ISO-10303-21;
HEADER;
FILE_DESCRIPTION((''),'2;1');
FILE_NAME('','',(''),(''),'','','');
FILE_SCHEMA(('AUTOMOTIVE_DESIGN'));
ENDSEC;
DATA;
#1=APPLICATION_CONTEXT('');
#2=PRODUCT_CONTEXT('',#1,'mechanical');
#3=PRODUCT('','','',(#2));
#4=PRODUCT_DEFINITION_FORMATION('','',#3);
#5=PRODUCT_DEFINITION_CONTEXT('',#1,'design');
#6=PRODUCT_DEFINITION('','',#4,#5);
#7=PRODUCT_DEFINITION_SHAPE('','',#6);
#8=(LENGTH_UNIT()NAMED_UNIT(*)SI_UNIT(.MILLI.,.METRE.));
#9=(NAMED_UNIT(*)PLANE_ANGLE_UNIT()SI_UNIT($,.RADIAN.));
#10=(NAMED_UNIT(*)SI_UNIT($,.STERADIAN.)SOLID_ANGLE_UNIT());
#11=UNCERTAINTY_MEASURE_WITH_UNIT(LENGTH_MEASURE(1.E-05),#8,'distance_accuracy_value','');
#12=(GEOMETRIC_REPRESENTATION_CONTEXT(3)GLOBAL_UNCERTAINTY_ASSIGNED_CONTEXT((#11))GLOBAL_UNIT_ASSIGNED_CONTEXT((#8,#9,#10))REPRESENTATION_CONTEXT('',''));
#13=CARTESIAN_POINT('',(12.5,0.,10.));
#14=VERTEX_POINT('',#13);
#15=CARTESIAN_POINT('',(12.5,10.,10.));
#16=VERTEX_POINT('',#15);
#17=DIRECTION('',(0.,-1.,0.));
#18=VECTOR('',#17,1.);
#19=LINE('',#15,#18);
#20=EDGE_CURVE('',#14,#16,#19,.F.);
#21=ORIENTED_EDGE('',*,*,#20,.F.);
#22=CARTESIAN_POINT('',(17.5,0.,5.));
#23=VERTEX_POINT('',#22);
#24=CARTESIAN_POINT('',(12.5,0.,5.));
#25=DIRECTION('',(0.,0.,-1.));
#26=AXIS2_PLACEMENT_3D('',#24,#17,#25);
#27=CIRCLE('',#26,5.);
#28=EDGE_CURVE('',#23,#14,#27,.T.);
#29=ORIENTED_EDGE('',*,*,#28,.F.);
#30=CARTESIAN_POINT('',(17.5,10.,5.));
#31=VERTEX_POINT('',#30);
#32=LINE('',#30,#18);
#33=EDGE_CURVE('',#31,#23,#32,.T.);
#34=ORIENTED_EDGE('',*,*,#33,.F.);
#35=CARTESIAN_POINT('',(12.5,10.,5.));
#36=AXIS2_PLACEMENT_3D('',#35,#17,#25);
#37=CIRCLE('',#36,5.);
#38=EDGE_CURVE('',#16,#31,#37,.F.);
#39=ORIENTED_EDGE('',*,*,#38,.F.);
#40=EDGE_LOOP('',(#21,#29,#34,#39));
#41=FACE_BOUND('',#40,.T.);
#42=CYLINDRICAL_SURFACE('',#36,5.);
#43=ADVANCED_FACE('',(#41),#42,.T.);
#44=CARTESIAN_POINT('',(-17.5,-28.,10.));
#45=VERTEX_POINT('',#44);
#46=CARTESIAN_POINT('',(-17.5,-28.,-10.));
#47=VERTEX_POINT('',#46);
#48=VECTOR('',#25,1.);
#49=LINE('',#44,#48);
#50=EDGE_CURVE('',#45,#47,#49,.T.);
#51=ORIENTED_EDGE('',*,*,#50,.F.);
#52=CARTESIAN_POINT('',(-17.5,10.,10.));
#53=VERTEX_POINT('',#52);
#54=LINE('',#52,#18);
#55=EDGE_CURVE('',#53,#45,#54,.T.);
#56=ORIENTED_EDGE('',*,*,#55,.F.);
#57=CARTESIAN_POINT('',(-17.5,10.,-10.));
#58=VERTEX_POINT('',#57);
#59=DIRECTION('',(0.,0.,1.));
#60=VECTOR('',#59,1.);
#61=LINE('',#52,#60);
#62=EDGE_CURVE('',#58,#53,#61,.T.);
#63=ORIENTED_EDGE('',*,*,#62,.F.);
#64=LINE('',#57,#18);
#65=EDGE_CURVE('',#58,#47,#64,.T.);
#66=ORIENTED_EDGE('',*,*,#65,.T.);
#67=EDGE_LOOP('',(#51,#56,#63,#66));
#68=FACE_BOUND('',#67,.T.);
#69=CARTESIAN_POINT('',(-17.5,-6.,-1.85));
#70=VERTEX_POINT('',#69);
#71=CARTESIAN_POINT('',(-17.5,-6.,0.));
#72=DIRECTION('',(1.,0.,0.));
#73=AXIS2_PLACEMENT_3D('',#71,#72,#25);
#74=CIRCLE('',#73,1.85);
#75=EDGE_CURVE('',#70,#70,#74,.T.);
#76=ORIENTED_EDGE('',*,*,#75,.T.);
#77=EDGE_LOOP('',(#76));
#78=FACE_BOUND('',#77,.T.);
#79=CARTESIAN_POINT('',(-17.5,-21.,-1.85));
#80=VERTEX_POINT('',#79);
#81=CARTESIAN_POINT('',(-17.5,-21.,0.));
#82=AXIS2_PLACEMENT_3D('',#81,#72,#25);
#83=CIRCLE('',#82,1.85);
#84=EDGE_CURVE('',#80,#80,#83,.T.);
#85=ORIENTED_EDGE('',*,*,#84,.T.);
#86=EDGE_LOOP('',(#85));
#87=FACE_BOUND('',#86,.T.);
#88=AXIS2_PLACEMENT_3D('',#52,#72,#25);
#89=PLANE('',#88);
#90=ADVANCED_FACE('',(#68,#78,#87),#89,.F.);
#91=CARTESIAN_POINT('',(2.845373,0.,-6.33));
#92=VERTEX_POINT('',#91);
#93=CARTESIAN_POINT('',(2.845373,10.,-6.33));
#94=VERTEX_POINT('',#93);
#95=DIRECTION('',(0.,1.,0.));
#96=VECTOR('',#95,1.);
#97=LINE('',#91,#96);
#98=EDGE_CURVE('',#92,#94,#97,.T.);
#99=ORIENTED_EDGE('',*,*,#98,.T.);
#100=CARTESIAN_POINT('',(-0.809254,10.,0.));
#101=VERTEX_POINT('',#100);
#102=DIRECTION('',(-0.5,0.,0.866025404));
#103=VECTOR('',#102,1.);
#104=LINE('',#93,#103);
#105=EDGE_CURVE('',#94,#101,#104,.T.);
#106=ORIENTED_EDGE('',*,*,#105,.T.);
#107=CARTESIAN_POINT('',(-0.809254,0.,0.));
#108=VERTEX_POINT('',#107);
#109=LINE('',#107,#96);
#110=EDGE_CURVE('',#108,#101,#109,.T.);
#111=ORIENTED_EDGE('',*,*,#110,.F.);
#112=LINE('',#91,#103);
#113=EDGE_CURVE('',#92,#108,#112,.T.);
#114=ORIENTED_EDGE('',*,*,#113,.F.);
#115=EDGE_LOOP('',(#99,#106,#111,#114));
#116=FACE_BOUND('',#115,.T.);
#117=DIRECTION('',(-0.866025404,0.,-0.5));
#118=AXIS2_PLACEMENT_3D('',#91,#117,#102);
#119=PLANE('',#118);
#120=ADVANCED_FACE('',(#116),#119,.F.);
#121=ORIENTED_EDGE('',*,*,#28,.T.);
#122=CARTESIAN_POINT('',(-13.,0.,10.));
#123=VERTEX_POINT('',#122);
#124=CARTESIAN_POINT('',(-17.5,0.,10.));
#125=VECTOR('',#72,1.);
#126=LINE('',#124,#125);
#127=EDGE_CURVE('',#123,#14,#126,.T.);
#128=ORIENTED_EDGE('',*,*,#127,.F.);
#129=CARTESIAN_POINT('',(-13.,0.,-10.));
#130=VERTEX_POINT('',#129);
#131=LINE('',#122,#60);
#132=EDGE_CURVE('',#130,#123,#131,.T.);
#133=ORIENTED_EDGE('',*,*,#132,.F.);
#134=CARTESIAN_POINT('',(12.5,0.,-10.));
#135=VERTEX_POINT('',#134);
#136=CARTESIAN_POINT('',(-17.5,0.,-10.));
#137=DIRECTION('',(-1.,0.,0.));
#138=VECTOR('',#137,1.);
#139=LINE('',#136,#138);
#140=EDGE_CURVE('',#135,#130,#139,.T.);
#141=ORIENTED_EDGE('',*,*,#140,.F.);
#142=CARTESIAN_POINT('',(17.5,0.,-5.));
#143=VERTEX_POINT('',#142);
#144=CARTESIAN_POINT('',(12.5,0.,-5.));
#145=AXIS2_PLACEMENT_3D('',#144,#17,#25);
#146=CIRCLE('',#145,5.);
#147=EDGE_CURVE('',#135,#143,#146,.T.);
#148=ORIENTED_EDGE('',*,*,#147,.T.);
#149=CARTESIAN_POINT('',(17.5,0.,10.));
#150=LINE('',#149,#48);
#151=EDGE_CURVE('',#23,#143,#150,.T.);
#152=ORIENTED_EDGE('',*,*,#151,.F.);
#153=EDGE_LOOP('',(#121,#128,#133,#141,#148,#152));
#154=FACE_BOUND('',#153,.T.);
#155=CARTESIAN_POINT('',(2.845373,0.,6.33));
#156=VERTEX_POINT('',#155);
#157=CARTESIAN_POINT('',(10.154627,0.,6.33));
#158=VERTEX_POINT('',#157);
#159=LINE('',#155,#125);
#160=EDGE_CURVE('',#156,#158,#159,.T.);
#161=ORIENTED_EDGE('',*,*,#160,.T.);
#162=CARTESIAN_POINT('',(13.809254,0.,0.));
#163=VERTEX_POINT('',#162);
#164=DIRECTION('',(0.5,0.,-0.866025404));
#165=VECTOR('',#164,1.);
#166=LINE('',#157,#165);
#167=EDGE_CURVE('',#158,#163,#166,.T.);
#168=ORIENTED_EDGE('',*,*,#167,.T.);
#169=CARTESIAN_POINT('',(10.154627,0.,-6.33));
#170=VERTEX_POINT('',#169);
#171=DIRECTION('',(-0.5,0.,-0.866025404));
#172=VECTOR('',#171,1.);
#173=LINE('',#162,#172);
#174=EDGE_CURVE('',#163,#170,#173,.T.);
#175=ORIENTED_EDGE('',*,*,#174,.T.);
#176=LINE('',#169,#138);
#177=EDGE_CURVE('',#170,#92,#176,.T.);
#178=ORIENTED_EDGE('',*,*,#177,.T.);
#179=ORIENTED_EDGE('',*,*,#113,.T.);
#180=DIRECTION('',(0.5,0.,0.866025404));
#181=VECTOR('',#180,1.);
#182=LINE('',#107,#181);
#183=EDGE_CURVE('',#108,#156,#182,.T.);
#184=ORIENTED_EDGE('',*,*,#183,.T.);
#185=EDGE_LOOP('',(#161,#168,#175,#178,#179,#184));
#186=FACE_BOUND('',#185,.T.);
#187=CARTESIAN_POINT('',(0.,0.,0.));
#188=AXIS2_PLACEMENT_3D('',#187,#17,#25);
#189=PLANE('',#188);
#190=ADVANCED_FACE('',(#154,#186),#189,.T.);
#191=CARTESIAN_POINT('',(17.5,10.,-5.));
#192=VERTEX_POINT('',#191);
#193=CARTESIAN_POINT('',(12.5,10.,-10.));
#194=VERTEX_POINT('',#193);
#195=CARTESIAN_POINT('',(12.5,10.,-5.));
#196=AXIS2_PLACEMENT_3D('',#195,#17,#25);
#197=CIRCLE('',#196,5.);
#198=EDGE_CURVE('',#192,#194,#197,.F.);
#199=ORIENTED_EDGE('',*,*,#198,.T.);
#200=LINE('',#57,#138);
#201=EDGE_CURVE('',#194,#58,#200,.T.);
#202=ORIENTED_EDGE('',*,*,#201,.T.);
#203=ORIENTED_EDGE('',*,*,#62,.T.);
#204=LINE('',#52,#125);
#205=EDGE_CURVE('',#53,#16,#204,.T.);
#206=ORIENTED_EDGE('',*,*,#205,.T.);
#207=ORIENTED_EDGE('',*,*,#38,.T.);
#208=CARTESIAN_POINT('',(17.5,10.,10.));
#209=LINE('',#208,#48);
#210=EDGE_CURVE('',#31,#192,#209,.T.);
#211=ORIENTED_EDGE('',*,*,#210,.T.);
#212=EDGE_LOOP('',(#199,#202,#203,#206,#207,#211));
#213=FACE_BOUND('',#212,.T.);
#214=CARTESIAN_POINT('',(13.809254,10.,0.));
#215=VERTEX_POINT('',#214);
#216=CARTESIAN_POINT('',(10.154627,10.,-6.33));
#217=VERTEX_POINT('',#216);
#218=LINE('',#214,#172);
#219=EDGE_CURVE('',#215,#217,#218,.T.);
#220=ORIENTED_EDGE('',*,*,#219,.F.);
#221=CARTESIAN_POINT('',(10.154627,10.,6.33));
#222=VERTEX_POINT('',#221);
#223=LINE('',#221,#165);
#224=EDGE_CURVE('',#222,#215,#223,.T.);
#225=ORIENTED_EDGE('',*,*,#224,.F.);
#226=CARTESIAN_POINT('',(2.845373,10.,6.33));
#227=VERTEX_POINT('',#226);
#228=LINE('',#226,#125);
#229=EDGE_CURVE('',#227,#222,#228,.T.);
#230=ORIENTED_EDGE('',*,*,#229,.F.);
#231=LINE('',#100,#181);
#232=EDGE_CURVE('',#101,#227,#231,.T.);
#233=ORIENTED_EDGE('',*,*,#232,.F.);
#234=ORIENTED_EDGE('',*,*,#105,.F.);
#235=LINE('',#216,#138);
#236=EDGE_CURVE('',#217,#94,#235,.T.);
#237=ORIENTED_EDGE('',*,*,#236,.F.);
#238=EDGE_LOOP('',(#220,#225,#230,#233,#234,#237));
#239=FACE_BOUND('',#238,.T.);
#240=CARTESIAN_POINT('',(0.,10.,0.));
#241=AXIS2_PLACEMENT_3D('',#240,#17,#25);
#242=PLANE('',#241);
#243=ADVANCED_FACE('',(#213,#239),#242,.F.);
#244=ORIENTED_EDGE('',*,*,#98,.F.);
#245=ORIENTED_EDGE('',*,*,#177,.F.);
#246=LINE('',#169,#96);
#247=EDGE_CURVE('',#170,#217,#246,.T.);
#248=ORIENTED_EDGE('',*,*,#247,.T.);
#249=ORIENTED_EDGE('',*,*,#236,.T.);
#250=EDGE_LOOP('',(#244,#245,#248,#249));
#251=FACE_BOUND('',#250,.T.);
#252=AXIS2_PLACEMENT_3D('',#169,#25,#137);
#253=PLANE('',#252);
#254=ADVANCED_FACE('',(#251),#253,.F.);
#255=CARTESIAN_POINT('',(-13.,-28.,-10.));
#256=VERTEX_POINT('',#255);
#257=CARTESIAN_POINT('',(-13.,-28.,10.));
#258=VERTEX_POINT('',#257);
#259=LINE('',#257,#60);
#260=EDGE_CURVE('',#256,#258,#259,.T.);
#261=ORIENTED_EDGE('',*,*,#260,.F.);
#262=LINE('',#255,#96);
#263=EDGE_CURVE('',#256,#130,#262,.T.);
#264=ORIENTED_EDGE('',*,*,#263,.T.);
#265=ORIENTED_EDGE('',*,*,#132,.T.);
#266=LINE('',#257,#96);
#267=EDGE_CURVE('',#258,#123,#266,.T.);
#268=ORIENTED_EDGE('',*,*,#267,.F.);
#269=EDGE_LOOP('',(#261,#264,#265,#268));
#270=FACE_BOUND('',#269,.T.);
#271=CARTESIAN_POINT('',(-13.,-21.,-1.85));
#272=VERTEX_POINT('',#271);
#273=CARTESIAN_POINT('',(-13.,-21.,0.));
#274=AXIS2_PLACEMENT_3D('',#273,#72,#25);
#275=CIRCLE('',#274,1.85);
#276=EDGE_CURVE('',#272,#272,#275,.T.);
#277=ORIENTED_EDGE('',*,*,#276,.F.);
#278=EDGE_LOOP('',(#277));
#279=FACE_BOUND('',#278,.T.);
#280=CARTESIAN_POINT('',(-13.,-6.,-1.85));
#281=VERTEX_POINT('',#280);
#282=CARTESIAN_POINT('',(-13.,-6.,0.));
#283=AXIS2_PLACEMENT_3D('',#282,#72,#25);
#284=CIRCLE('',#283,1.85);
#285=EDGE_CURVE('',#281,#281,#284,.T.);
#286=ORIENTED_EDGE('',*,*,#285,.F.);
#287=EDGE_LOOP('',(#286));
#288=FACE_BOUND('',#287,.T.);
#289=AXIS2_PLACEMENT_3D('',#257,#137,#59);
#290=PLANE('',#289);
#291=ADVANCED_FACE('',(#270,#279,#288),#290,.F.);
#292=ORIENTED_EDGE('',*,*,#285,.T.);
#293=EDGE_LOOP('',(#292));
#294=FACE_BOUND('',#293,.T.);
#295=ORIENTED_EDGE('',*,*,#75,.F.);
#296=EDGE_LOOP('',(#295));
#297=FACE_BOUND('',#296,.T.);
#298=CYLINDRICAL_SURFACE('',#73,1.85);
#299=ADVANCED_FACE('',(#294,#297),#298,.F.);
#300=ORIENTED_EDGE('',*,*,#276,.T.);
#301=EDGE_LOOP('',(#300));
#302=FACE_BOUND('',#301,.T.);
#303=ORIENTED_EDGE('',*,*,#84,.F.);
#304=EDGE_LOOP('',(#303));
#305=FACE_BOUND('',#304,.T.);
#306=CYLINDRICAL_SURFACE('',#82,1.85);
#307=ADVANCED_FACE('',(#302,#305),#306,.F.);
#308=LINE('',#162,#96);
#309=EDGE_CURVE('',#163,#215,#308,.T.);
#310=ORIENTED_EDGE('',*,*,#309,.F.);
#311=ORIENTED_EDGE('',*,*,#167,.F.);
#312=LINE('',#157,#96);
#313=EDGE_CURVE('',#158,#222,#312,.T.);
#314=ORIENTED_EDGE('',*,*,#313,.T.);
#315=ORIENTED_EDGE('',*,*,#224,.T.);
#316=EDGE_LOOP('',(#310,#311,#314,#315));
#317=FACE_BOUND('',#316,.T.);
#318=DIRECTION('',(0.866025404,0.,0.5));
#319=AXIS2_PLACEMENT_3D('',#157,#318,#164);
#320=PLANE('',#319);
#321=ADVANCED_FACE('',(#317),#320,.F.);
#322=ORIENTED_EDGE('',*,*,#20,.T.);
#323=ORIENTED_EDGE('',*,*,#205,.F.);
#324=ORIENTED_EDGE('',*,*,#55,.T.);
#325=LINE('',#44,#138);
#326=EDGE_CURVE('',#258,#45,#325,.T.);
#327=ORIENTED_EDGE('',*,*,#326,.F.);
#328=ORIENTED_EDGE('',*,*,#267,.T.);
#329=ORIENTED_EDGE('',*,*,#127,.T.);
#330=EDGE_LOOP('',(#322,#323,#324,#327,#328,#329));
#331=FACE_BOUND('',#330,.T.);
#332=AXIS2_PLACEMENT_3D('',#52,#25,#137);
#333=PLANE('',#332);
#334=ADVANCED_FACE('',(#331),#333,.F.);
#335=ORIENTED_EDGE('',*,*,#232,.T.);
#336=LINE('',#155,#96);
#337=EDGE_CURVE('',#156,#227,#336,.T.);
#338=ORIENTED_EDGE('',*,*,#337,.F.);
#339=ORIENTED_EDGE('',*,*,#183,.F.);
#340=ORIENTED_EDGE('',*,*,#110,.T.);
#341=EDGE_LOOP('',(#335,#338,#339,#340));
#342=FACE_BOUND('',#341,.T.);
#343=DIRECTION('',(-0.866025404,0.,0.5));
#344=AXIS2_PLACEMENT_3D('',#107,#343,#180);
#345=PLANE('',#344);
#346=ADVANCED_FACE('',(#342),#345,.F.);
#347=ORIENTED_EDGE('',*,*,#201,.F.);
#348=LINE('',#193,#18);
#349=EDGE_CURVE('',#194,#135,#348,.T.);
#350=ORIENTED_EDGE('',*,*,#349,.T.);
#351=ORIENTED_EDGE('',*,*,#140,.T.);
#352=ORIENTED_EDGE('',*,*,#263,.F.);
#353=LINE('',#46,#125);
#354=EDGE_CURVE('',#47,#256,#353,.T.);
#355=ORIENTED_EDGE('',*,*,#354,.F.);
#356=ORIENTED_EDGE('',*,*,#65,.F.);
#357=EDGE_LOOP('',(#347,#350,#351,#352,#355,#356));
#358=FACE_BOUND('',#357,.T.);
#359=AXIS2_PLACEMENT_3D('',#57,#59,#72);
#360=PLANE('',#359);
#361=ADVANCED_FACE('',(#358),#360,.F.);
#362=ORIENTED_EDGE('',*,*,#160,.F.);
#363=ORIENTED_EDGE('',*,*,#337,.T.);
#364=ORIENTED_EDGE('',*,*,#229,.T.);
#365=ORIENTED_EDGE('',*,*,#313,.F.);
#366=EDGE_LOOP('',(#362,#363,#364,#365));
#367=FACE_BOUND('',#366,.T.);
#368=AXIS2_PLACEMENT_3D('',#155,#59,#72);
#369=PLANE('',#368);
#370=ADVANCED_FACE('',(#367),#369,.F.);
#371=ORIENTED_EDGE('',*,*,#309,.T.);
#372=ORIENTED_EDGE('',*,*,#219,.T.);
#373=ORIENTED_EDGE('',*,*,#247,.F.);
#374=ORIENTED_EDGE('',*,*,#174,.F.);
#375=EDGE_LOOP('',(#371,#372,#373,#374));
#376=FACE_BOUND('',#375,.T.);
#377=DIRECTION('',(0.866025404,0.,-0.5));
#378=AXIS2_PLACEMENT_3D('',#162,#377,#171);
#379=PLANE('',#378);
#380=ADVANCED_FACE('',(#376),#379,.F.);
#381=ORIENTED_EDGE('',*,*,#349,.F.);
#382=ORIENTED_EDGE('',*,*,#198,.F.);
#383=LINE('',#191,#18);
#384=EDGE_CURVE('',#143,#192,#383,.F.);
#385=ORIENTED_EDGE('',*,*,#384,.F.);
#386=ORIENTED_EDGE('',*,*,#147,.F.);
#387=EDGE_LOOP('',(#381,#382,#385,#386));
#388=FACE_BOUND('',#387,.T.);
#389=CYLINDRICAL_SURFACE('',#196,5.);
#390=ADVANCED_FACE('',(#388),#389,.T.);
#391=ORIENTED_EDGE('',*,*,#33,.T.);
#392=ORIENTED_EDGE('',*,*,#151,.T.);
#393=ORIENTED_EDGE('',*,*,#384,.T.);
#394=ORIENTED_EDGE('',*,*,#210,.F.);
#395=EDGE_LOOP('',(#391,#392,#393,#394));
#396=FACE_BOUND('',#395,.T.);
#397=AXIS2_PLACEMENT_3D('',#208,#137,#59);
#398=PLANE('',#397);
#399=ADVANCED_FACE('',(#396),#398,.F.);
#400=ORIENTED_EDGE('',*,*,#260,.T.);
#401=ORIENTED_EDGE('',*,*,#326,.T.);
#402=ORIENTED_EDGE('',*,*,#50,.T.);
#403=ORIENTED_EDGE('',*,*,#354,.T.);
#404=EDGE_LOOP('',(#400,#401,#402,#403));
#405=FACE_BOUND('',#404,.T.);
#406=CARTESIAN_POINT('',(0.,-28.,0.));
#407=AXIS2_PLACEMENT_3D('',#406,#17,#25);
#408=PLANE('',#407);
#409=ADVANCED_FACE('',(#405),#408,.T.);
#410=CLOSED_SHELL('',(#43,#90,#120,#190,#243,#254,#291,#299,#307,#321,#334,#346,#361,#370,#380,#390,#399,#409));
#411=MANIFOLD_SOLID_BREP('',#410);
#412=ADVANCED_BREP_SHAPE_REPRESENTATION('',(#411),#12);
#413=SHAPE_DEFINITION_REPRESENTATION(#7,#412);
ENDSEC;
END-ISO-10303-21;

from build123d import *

# Parameters (mm, degrees)
SKETCH1_W           = 35
SKETCH1_H           = 20
BOSS_EXTRUDE1_DEPTH = 10
FILLET1_R           = 5
CUT_EXTRUDE2_DEPTH  = 23.5
SKETCH5_W           = 4.5
SKETCH5_H           = 20
BOSS_EXTRUDE3_DEPTH = 28
SKETCH6_R           = 1.85
CUT_EXTRUDE3_DEPTH  = 43.594013664


with BuildPart() as part:
    # Sketch1 → Boss-Extrude1 (new body)
    with BuildSketch(Plane(origin=(0, 0, 0), x_dir=(1, 0, 0), z_dir=(0, 1, 0))):
        Rectangle(SKETCH1_W, SKETCH1_H)
    extrude(amount=BOSS_EXTRUDE1_DEPTH)

    # Fillet1
    fillet1_edges = [part.edges().sort_by_distance(p)[0] for p in [
        (17.5, 5, 10),
        (17.5, 5, -10),
    ]]
    fillet(fillet1_edges, radius=FILLET1_R)

    # Sketch4 → Cut-Extrude2 (cut, through all)
    with BuildSketch(Plane(origin=(0, 10, 0), x_dir=(1, 0, 0), z_dir=(0, 1, 0))):
        Polygon((10.154627204, -6.33), (13.809254408, 0), (10.154627204, 6.33), (2.845372796, 6.33), (-0.809254408, 0), (2.845372796, -6.33), align=None)
    extrude(amount=-CUT_EXTRUDE2_DEPTH, mode=Mode.SUBTRACT)

    # Sketch5 → Boss-Extrude3 (add)
    with BuildSketch(Plane.XZ):
        with Locations((-15.25, 0)):
            Rectangle(SKETCH5_W, SKETCH5_H)
    extrude(amount=BOSS_EXTRUDE3_DEPTH)

    # Sketch6 → Cut-Extrude3 (cut, through all)
    with BuildSketch(Plane(origin=(-13, 0, 0), x_dir=(0, 0, -1), z_dir=(1, 0, 0))):
        with Locations((0, -6)):
            Circle(SKETCH6_R)
        with Locations((0, -21)):
            Circle(SKETCH6_R)
    extrude(amount=-CUT_EXTRUDE3_DEPTH, mode=Mode.SUBTRACT)


solid = part.part
